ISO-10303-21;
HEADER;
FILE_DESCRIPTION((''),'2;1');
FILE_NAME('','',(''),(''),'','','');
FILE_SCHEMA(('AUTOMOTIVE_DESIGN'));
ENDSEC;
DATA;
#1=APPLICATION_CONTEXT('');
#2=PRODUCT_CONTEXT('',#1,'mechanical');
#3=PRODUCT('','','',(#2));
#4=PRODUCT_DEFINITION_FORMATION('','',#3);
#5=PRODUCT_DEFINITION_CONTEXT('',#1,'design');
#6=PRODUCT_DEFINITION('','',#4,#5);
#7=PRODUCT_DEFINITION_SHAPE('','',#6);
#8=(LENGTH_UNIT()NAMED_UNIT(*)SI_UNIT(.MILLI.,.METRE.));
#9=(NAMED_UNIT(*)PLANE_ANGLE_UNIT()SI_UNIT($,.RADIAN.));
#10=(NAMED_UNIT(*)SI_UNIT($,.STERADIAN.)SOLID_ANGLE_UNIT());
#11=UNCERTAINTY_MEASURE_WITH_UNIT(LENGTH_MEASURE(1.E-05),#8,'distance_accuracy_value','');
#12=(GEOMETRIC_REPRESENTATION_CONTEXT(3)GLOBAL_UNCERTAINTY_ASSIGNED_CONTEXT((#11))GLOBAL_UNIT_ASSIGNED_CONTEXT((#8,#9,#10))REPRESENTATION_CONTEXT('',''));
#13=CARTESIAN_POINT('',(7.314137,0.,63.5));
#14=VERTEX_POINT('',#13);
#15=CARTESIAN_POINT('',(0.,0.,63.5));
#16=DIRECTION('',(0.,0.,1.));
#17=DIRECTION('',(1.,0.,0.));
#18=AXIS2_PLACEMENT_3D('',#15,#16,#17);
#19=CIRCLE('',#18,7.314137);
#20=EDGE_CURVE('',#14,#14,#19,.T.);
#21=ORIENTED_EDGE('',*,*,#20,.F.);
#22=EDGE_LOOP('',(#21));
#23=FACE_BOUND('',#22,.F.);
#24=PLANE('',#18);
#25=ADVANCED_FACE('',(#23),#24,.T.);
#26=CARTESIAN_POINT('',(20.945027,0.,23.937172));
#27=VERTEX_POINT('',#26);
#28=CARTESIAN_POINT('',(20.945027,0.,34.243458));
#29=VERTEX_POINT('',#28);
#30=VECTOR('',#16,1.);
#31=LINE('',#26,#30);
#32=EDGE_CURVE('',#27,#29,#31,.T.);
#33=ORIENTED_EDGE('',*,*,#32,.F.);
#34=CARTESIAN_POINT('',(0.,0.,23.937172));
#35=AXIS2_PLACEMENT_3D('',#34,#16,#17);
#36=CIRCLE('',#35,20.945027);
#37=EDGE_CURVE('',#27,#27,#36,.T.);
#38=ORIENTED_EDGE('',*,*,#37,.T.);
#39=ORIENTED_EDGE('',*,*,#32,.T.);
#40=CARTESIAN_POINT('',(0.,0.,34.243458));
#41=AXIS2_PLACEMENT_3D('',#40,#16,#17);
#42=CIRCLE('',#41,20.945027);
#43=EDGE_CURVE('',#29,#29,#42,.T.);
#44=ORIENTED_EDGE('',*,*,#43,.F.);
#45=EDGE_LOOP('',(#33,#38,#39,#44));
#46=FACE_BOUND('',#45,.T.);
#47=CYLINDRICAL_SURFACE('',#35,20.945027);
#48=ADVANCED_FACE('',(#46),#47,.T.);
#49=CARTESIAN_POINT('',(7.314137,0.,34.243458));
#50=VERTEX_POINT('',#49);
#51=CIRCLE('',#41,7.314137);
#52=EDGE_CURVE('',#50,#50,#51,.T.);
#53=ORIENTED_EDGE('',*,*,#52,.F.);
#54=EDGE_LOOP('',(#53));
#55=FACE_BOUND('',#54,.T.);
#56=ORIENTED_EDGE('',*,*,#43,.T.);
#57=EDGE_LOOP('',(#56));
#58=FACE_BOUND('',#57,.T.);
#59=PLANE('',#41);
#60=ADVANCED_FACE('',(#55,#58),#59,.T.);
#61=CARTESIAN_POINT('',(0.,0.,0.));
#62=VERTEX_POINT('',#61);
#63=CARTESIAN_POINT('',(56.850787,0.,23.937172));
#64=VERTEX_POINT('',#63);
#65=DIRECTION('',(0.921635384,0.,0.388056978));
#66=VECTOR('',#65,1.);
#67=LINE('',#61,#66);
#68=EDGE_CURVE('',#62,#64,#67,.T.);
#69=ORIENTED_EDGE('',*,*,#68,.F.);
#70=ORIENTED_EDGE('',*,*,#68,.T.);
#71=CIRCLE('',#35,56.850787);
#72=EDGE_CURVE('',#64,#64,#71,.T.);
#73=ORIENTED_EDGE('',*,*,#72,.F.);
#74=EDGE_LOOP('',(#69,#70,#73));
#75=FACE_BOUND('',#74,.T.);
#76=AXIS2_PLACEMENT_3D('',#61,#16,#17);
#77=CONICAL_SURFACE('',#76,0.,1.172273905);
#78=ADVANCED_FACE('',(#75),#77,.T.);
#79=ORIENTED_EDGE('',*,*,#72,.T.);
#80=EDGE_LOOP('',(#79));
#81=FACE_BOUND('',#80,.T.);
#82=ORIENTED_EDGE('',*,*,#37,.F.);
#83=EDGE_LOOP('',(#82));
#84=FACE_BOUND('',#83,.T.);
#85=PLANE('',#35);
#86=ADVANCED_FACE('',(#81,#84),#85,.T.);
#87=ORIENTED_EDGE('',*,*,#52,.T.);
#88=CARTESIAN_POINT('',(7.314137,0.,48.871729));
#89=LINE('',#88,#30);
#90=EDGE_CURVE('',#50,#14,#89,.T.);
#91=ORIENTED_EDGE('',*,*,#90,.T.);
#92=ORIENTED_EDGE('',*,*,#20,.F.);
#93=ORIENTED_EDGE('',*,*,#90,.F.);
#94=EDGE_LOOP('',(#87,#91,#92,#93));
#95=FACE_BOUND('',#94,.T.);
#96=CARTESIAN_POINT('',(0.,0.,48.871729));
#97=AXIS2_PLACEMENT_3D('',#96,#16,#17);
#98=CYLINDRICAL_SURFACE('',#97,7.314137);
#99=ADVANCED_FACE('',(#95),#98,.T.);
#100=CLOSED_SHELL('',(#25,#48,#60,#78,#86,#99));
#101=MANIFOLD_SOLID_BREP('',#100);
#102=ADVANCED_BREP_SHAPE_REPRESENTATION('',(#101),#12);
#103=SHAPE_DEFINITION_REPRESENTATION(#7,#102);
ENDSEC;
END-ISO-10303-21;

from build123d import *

# Parameters (mm, degrees)
F0_W = 7.3141366664
F0_H = 29.2565423622


with BuildPart() as f1:
    # F0 (on Front) → F1 (revolve)
    with BuildSketch(Plane.XZ):
        Polygon((0, 23.9371718061), (0, 0), (56.8507868048, 23.9371718061), (20.945026944, 23.9371718061), align=None)
        Polygon((0, 34.2434576378), (0, 23.9371718061), (20.945026944, 23.9371718061), (20.945026944, 34.2434576378), (7.3141366664, 34.2434576378), align=None)
        with Locations((3.6570683332, 48.8717288189)):
            Rectangle(F0_W, F0_H)
    revolve(axis=Axis((0, 0, 31.75), (0, 0, 1)))


solid = f1.part
